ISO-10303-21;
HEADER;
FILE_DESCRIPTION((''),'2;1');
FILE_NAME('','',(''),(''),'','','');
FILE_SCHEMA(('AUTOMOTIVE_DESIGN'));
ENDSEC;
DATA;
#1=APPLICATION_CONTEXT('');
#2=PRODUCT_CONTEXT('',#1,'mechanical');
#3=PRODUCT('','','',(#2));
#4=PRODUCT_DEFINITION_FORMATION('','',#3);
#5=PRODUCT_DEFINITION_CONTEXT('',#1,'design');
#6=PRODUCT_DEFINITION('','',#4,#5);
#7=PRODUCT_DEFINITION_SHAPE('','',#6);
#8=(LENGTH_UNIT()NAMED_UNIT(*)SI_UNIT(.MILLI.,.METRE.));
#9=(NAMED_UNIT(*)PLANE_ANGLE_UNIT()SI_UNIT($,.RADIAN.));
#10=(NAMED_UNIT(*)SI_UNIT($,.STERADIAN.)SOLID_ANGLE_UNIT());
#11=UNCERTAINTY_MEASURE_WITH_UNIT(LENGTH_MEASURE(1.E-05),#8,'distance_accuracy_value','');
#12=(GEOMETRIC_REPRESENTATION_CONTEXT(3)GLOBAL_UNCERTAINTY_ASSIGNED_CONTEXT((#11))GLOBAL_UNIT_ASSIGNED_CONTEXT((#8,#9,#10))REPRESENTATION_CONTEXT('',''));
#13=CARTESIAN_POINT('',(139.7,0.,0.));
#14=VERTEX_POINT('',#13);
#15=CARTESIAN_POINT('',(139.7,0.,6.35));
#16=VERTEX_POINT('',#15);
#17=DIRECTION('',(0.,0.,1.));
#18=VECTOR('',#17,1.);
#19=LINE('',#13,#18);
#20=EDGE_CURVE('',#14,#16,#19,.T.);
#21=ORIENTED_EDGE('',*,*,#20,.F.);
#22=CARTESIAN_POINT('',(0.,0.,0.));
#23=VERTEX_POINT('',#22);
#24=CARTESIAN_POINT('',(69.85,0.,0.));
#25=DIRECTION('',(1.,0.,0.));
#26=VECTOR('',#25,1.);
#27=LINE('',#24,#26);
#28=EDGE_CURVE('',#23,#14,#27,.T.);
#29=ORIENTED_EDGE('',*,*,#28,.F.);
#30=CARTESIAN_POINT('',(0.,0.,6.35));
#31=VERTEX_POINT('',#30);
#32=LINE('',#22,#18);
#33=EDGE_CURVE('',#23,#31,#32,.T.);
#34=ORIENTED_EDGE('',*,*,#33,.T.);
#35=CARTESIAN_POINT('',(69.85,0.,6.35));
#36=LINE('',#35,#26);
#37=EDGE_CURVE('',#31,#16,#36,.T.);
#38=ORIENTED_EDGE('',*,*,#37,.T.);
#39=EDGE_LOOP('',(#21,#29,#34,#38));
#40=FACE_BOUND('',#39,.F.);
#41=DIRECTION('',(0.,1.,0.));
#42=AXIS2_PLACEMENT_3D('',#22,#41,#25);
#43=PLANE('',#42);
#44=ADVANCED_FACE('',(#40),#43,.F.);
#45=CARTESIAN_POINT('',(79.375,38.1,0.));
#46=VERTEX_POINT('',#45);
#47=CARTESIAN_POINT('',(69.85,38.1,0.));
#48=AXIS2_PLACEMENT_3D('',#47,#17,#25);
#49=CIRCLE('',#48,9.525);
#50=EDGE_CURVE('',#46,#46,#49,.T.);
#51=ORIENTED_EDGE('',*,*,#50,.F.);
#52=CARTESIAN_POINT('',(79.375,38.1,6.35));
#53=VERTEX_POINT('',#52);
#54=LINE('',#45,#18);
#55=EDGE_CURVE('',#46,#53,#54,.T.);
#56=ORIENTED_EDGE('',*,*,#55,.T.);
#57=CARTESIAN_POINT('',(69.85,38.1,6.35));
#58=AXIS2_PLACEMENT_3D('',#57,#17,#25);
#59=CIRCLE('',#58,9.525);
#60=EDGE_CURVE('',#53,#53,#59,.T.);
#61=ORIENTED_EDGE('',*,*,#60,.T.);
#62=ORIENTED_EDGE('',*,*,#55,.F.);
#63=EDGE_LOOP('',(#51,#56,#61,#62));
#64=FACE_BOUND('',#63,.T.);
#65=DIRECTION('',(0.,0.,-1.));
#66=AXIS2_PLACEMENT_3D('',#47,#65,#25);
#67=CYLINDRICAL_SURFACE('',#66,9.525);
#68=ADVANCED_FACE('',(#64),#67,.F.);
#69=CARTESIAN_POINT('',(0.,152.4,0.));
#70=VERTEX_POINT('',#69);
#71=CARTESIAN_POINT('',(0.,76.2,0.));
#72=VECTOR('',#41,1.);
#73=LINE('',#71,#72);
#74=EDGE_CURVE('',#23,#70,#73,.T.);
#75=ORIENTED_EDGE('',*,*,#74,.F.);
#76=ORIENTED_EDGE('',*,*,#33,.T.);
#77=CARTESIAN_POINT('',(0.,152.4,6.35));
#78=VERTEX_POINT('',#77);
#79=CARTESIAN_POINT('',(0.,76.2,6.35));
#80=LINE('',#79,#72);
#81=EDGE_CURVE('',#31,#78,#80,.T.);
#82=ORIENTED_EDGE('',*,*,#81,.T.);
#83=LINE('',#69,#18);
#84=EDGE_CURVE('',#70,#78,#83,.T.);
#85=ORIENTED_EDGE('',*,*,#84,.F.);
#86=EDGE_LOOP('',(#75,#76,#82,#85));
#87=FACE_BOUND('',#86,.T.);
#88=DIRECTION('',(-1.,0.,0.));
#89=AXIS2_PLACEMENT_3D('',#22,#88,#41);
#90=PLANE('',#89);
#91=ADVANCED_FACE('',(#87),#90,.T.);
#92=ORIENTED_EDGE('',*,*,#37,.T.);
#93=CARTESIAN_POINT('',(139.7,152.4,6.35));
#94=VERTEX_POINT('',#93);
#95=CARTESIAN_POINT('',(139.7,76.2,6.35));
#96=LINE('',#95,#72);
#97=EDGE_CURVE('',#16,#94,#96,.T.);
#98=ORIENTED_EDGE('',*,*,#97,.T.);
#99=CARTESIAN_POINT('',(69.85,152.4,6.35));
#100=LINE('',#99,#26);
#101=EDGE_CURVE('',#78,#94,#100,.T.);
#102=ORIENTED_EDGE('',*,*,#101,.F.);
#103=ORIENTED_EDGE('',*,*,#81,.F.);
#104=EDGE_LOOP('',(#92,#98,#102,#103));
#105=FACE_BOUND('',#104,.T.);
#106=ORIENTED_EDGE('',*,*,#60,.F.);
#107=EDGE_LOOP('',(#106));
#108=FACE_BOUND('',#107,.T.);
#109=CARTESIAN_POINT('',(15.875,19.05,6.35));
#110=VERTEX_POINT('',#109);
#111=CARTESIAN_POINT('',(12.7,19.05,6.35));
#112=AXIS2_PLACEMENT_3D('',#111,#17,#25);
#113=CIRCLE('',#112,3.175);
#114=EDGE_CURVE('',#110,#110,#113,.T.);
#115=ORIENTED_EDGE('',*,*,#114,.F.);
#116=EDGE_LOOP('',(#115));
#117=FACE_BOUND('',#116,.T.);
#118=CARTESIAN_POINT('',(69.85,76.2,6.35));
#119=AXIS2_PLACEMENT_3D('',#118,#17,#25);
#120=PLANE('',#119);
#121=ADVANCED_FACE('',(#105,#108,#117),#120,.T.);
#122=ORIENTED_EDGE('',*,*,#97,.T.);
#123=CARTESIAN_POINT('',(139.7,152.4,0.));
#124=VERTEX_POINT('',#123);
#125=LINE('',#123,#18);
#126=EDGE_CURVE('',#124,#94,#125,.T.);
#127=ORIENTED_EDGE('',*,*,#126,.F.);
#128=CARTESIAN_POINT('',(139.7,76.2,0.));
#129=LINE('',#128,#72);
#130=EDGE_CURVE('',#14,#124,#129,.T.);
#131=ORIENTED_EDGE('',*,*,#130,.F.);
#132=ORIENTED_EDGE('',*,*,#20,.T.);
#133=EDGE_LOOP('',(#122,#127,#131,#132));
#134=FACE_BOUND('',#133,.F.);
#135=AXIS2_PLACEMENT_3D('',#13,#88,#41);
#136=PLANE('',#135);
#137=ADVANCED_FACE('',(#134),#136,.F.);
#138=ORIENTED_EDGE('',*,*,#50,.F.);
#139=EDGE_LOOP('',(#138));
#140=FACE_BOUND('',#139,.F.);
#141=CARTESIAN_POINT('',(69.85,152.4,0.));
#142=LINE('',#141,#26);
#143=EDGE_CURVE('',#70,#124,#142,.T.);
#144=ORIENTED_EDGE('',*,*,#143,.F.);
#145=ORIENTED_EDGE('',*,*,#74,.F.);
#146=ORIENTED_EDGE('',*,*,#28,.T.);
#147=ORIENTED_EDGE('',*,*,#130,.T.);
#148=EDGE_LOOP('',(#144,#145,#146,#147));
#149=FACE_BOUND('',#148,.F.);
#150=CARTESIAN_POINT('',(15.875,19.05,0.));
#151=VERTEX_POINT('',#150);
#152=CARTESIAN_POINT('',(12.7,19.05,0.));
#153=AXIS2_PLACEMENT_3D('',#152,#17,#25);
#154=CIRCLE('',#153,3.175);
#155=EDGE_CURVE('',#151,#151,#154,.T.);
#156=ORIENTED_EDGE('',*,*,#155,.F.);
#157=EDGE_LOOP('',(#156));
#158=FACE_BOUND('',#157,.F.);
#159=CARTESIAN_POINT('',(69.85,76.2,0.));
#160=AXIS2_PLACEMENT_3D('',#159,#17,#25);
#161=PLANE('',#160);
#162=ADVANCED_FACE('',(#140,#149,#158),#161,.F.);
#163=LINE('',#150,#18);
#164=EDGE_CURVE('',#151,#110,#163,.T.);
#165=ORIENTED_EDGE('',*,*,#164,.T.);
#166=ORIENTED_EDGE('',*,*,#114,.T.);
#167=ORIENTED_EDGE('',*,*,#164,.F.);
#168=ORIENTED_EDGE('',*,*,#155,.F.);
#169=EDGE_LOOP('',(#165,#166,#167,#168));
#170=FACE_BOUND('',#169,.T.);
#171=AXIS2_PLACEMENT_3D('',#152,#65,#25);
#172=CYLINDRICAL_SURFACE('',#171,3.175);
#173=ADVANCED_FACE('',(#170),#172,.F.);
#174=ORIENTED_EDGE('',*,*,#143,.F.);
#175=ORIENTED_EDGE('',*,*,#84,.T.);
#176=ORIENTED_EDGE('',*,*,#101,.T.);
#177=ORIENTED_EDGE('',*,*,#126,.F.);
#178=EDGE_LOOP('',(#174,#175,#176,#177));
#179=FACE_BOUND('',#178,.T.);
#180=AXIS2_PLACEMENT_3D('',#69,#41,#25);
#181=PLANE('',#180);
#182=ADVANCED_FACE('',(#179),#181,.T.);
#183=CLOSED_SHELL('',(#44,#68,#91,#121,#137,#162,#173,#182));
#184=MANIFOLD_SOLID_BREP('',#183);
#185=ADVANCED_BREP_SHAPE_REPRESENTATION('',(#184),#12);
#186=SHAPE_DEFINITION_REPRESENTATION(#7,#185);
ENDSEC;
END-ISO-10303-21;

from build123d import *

# Parameters (mm, degrees)
SKETCH_W   = 139.7
SKETCH_H   = 152.4
SKETCH_R   = 3.175
SKETCH_R_2 = 9.525
PAD_DEPTH  = 6.35


with BuildPart() as part:
    # Sketch → Pad (new body)
    with BuildSketch(Plane.XY):
        with Locations((69.85, 76.2)):
            Rectangle(SKETCH_W, SKETCH_H)
        with Locations((12.7, 19.05)):
            Circle(SKETCH_R, mode=Mode.SUBTRACT)
        with Locations((69.85, 38.1)):
            Circle(SKETCH_R_2, mode=Mode.SUBTRACT)
    extrude(amount=PAD_DEPTH)


solid = part.part
